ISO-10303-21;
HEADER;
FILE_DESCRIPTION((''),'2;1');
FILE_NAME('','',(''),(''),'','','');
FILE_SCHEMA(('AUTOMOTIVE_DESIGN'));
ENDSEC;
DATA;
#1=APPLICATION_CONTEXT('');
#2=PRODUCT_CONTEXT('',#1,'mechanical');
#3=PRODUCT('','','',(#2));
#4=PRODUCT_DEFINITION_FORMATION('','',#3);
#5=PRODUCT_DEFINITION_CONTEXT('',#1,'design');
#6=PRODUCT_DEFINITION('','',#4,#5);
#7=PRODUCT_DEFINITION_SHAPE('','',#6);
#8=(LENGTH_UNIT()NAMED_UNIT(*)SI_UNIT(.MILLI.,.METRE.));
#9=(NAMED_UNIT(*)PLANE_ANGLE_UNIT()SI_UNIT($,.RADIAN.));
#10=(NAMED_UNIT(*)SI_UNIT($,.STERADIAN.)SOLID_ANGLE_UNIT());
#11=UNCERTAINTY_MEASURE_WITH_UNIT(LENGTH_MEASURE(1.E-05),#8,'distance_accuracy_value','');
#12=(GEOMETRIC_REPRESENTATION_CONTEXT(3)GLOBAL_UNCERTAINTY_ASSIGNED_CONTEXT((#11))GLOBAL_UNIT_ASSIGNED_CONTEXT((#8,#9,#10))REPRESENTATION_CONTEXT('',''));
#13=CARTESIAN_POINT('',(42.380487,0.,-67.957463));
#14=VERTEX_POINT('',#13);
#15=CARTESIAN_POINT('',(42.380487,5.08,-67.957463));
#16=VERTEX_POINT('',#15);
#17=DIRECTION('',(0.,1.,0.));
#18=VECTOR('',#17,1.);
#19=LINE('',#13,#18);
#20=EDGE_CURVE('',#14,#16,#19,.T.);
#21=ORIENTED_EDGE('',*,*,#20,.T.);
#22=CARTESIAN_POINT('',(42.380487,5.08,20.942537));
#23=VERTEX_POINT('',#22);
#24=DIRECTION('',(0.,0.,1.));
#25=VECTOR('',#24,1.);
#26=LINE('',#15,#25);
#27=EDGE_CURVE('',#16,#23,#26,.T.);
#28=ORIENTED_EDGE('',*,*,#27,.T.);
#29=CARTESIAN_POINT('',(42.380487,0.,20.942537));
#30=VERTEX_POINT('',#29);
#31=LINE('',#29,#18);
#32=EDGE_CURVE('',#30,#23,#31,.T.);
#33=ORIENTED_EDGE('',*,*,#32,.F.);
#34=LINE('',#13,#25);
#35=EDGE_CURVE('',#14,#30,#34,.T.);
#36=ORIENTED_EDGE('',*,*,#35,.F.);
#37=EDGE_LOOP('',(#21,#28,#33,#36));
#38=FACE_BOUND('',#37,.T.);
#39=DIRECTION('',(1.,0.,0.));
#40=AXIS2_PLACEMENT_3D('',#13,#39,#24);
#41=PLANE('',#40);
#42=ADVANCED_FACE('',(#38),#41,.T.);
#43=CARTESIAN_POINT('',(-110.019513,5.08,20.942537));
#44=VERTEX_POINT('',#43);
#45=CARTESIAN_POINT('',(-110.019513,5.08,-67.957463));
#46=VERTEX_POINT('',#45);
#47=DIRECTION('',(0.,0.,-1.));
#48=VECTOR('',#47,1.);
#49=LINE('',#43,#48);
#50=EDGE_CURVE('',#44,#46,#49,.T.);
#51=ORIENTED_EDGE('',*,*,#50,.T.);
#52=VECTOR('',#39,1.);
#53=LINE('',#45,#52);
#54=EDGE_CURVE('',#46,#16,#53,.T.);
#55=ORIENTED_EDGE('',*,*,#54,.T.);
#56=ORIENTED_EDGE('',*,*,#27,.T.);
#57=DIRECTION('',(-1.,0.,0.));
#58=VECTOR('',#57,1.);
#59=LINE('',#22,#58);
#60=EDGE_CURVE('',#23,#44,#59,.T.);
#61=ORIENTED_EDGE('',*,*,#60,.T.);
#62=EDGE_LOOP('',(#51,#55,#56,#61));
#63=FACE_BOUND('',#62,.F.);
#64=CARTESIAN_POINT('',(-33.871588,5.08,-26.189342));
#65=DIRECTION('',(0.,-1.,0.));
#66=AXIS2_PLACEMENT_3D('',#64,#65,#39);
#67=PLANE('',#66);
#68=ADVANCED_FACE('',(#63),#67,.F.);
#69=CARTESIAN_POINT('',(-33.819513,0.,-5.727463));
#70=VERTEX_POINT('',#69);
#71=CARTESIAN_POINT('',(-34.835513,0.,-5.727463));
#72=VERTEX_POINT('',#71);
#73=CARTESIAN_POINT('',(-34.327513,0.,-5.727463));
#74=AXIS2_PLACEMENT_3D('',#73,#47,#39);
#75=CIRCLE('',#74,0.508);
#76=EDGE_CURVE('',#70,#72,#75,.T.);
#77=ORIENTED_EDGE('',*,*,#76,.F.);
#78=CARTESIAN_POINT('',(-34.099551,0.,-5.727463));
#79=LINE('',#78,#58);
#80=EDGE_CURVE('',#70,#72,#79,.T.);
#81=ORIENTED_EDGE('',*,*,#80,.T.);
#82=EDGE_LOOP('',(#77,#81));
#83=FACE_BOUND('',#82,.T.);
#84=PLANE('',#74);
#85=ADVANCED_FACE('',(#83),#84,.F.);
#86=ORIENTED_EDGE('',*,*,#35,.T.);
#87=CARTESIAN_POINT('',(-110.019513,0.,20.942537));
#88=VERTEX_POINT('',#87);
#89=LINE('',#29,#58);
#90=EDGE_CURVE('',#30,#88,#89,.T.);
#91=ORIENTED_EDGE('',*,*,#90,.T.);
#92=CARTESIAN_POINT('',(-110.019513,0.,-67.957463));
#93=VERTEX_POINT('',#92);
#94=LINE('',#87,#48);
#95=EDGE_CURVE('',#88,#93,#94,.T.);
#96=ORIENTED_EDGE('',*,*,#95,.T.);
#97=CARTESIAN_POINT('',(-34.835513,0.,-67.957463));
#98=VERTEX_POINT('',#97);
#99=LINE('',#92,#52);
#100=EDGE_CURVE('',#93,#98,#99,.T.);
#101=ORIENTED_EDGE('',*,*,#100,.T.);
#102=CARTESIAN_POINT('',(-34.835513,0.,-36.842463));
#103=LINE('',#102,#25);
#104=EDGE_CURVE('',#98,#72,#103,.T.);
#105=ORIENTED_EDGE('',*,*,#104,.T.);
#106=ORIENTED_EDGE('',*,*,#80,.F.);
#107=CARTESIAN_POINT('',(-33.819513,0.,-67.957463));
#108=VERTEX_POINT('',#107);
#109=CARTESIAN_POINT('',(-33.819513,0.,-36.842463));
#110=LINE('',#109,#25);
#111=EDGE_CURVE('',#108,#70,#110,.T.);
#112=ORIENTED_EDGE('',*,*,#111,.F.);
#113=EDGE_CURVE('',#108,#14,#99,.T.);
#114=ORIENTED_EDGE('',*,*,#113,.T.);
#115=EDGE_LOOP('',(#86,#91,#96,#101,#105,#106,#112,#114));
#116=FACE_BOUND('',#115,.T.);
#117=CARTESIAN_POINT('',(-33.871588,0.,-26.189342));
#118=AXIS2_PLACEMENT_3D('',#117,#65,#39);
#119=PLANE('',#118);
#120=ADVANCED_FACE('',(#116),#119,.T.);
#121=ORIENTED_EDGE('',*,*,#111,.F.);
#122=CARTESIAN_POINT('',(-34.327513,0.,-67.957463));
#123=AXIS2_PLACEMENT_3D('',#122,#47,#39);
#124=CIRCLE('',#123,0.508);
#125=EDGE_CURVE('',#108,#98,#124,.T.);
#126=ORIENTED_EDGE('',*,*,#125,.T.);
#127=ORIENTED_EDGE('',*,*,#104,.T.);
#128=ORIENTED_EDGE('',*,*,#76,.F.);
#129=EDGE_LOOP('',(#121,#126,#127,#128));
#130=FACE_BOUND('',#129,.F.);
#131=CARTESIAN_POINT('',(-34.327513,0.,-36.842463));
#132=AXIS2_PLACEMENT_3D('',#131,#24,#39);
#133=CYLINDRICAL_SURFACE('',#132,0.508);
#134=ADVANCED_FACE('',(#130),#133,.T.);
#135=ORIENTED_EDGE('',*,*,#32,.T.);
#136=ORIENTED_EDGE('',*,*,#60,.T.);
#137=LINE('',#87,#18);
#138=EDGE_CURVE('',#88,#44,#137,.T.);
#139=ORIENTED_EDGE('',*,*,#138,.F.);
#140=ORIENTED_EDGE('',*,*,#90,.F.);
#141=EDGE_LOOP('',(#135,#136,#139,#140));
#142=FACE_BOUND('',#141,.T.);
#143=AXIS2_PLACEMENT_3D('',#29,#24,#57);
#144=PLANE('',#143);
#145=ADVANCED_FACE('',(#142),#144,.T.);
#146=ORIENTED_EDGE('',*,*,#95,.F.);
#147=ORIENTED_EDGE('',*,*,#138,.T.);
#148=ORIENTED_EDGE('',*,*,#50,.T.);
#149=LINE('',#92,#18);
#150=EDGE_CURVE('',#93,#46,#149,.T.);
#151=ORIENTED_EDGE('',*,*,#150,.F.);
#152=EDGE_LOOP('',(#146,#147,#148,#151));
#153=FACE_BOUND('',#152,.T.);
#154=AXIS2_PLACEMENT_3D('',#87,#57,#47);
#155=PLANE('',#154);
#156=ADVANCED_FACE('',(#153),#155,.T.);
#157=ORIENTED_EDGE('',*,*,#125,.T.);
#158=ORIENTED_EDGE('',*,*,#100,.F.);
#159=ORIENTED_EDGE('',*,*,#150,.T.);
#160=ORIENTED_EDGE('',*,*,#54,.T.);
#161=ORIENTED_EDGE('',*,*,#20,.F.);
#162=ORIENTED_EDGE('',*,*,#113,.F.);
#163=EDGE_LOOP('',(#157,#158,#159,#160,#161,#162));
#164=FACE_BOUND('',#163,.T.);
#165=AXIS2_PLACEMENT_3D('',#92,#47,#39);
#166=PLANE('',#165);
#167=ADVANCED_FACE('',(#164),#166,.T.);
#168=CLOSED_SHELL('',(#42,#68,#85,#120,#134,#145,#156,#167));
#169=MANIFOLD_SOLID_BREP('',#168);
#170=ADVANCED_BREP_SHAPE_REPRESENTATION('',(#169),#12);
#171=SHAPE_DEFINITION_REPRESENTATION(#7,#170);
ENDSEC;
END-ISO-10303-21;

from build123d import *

# Parameters (mm, degrees)
F0_W     = 0.508
F0_H     = 62.23
F1_DEPTH = 5.08


with BuildPart() as f1:
    # F0 (on Front) → F1 (new body)
    with BuildSketch(Plane.XZ):
        Polygon((42.380487, 20.942537), (-110.019513, 20.942537), (-110.019513, -67.957463), (-34.327513, -67.957463), (-34.327513, -5.727463), (-33.819513, -5.727463), (-33.819513, -67.957463), (42.380487, -67.957463), align=None)
        with Locations((-34.073513, -36.842463)):
            Rectangle(F0_W, F0_H)
    extrude(amount=-F1_DEPTH)

    # F0 (on Front) → F2 (revolve)
    with BuildSketch(Plane.XZ):
        with Locations((-34.073513, -36.842463)):
            Rectangle(F0_W, F0_H)
    revolve(axis=Axis((-34.327513, 0, -36.842463), (0, 0, -1)))


solid = f1.part
